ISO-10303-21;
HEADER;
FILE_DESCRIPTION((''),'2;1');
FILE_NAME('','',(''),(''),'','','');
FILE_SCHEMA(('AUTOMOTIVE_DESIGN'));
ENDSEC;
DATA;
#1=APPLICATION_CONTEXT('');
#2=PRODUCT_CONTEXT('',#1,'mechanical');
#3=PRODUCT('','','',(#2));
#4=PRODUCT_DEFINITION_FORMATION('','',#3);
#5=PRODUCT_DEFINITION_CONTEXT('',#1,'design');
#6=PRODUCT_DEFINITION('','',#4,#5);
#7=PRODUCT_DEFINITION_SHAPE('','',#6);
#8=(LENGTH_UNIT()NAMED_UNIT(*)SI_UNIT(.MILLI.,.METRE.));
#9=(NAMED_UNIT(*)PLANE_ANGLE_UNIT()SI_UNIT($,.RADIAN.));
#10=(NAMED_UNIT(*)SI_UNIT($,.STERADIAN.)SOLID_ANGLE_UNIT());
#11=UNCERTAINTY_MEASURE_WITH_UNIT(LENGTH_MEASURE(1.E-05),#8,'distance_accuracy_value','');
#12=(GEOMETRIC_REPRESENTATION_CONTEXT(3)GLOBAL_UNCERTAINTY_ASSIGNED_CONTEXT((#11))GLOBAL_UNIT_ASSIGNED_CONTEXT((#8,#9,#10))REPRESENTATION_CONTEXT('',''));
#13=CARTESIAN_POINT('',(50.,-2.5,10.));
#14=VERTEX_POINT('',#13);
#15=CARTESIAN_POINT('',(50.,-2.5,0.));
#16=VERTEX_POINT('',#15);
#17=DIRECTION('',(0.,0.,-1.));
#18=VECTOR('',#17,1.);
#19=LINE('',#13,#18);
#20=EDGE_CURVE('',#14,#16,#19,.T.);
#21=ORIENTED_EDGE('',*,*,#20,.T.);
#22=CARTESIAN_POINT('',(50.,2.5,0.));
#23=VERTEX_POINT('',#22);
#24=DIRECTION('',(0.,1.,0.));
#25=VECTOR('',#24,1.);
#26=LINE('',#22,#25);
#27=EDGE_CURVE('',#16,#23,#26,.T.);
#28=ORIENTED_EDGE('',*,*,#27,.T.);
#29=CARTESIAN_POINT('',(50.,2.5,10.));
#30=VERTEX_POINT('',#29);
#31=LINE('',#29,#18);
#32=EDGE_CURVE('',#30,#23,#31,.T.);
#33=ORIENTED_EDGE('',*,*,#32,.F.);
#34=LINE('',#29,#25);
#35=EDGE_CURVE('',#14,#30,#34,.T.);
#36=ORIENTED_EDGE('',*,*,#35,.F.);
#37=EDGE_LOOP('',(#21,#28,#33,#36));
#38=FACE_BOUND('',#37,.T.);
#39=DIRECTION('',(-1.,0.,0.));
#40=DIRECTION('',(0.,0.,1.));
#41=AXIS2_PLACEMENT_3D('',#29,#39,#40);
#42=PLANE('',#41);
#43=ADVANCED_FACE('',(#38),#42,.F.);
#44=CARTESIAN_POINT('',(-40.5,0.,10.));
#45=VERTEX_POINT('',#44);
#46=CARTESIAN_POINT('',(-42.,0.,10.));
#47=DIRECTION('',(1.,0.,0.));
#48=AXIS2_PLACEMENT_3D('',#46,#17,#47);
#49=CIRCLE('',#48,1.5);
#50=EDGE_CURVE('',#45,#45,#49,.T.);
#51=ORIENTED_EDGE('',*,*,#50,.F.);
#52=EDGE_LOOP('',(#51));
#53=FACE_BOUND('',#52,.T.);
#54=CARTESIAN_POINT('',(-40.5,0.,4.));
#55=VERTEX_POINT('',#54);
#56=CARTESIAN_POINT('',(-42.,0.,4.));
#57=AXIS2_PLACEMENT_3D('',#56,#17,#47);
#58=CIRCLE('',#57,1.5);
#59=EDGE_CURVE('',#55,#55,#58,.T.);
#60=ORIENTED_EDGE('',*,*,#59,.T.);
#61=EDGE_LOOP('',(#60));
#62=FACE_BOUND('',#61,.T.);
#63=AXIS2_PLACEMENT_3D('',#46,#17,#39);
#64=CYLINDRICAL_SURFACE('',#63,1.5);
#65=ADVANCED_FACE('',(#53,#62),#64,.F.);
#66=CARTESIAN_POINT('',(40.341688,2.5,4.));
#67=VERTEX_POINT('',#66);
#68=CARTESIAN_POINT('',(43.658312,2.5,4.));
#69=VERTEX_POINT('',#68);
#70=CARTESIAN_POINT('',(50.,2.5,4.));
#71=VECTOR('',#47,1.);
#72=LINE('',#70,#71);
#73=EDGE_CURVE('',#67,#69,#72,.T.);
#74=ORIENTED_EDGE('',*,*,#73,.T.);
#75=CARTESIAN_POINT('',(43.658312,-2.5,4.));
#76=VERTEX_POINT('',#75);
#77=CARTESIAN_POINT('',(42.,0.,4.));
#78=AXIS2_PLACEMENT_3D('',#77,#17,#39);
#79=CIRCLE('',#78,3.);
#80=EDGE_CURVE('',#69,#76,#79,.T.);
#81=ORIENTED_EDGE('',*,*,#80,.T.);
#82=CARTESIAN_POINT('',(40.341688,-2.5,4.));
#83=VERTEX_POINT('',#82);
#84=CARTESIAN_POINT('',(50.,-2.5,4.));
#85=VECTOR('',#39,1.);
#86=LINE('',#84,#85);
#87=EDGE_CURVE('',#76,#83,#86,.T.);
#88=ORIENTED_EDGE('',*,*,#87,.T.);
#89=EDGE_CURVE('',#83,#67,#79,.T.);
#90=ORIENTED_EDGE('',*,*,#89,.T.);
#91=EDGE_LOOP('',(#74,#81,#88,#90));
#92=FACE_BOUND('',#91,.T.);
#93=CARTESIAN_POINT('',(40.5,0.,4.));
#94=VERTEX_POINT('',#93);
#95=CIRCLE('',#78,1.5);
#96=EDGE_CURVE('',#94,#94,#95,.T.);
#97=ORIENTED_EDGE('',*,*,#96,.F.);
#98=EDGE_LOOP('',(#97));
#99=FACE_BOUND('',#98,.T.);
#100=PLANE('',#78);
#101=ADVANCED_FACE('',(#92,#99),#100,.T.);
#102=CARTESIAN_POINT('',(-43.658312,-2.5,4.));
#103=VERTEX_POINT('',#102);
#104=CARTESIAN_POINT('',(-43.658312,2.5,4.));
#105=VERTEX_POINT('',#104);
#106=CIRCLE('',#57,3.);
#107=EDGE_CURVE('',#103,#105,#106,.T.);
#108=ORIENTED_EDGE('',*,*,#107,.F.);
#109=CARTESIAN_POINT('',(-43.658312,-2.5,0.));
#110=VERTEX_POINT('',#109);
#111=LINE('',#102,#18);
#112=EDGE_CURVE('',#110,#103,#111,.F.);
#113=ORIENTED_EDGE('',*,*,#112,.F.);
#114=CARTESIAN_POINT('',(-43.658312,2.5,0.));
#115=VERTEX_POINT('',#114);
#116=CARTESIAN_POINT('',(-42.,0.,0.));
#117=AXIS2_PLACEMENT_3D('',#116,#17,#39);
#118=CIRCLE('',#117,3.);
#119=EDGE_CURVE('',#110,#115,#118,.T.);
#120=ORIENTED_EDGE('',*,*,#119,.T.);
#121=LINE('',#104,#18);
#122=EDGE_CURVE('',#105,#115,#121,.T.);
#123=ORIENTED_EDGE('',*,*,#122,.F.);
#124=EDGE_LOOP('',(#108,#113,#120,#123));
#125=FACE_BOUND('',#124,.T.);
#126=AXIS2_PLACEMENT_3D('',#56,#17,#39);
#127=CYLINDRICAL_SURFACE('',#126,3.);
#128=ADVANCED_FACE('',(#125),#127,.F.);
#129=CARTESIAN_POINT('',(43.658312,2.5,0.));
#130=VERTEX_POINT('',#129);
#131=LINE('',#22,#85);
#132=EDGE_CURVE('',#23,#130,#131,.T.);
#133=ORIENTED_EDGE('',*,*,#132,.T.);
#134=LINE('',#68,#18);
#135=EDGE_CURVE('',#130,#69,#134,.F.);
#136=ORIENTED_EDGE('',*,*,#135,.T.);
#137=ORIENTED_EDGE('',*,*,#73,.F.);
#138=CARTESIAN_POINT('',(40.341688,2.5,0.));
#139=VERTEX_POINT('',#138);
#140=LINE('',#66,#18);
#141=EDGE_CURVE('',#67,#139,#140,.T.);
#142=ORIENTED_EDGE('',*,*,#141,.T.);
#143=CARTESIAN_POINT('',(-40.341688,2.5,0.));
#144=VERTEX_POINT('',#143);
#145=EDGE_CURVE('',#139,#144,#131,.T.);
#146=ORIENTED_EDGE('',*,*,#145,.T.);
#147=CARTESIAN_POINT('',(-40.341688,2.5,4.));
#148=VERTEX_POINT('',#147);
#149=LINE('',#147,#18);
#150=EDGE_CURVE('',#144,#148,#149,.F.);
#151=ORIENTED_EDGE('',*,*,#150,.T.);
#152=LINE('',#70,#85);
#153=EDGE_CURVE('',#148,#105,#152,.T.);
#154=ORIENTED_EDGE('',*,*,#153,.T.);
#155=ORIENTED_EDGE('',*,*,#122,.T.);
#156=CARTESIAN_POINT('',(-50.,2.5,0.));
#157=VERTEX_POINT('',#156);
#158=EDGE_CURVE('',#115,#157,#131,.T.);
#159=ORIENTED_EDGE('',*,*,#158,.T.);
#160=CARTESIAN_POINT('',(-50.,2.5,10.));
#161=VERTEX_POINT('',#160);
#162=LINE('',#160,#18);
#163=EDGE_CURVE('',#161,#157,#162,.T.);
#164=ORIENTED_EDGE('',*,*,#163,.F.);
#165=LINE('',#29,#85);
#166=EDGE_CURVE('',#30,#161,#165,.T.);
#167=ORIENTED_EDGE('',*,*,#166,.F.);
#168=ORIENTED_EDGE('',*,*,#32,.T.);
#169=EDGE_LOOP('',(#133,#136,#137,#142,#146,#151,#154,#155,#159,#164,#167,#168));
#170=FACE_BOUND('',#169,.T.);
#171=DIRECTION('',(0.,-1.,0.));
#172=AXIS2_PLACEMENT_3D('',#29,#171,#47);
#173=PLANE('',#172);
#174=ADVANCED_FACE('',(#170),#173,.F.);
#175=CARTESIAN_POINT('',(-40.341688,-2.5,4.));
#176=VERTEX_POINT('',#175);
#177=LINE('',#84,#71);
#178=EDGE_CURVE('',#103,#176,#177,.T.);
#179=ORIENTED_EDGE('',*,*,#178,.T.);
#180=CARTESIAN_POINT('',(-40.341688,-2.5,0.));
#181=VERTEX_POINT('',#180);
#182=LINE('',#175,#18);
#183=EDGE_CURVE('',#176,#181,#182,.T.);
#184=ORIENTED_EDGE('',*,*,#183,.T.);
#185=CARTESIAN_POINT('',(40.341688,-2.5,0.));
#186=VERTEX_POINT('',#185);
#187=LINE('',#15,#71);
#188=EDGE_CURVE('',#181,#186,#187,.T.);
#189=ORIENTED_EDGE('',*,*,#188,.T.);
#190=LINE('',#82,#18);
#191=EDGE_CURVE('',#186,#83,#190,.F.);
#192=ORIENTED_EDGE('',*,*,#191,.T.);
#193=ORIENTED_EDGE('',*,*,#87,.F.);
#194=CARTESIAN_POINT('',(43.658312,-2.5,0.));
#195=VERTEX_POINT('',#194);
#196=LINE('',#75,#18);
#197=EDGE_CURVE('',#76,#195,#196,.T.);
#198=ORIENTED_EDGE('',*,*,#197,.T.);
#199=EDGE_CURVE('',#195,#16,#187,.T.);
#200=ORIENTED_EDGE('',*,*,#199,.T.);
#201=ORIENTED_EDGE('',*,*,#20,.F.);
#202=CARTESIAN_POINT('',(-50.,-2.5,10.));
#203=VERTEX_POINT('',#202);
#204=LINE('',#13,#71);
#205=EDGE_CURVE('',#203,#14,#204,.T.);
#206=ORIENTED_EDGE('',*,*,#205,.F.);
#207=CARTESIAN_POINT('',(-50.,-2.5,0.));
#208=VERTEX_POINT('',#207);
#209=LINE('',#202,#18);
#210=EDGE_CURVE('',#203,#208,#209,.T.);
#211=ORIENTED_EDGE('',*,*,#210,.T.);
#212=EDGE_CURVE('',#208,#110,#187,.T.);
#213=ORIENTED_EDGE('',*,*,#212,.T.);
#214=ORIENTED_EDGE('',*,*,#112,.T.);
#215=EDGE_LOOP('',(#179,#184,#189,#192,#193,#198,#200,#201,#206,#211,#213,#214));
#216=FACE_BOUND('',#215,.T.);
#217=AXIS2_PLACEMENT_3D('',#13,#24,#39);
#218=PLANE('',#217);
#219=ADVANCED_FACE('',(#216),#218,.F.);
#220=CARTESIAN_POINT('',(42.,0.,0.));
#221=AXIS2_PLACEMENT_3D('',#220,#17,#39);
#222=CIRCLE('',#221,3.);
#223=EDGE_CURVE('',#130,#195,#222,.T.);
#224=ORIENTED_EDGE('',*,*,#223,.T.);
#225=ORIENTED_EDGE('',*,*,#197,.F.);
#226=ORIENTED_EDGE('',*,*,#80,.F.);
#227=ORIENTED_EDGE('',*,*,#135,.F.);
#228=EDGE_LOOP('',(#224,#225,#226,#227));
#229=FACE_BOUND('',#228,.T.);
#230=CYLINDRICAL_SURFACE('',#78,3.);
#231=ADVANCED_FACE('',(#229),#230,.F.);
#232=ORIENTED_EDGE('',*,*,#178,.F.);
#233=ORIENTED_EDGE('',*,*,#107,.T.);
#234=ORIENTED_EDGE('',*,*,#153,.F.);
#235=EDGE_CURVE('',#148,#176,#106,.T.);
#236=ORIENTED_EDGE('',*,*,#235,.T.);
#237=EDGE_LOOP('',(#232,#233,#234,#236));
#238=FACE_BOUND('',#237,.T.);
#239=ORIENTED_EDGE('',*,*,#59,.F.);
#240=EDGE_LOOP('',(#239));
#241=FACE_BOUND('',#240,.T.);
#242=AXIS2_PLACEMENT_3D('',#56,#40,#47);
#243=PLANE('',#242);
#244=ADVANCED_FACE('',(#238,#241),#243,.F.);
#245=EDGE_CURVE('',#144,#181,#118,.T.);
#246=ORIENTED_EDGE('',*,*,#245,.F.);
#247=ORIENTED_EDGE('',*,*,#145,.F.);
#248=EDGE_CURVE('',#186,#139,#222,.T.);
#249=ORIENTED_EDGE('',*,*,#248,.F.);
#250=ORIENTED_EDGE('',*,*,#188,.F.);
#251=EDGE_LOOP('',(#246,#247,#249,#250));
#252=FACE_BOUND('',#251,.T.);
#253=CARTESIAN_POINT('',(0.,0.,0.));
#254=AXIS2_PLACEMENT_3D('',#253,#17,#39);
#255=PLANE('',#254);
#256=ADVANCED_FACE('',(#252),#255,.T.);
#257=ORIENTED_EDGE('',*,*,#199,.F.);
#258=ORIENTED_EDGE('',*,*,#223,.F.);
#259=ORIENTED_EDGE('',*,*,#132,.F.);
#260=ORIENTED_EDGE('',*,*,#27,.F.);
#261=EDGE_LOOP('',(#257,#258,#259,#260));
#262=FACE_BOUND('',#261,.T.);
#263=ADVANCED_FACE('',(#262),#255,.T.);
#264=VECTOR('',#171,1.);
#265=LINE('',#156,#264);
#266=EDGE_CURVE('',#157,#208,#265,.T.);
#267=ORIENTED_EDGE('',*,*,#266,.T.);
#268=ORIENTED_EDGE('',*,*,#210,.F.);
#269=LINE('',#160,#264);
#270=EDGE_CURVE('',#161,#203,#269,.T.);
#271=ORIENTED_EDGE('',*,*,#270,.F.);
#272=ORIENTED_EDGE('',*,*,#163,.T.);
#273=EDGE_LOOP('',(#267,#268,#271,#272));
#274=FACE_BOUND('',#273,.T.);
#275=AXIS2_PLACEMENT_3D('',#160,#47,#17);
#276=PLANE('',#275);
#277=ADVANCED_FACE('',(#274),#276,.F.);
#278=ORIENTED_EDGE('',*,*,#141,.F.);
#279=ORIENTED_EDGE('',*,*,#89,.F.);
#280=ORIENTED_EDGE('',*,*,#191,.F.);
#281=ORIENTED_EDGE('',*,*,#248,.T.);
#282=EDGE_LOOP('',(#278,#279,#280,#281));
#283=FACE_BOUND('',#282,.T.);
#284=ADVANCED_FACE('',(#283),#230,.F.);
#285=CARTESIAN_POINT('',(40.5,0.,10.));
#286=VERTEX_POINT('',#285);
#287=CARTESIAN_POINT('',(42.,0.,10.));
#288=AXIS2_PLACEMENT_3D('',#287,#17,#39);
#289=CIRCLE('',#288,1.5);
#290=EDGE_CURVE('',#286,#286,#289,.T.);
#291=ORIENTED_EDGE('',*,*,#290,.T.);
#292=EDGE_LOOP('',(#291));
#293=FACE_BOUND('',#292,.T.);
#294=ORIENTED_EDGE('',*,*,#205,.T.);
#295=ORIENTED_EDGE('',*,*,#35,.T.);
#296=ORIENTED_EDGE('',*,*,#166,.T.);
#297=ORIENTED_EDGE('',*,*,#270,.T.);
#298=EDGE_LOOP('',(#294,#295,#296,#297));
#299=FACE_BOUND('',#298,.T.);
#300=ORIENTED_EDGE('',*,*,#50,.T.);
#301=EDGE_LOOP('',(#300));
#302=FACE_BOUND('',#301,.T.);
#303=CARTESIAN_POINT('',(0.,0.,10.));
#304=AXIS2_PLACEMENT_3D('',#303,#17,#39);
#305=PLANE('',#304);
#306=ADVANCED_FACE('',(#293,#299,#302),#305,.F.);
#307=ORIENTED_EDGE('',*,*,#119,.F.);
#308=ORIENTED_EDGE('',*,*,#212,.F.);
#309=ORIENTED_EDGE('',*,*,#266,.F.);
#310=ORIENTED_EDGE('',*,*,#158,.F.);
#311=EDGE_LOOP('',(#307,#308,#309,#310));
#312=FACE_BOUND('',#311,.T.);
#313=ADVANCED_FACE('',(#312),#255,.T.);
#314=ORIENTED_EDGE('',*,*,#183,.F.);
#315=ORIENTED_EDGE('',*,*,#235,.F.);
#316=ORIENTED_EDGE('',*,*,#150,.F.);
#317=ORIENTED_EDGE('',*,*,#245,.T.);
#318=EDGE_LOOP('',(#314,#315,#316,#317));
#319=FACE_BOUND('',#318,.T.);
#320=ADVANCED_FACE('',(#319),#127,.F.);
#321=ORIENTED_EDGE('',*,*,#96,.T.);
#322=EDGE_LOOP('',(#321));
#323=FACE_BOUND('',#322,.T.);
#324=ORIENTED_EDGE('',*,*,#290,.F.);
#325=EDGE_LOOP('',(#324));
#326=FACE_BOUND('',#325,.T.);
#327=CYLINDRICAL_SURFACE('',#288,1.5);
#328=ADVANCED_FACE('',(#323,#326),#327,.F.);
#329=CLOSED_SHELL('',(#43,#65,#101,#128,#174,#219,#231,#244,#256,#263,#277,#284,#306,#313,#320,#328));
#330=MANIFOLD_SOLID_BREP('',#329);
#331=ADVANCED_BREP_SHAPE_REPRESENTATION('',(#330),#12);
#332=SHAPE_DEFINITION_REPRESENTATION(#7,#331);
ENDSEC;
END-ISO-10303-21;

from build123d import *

# Parameters (mm, degrees)
SKETCH1_W           = 100
SKETCH1_H           = 5
BOSS_EXTRUDE1_DEPTH = 10
SKETCH2_R           = 3
CUT_EXTRUDE3_DEPTH  = 4
SKETCH3_R           = 1.5
CUT_EXTRUDE4_DEPTH  = 7


with BuildPart() as part:
    # Sketch1 → Boss-Extrude1 (new body)
    with BuildSketch(Plane.XY):
        Rectangle(SKETCH1_W, SKETCH1_H)
    extrude(amount=BOSS_EXTRUDE1_DEPTH)

    # Sketch2 → Cut-Extrude3 (cut)
    with BuildSketch(Plane(origin=(0, 0, 0), x_dir=(-1, 0, 0), z_dir=(0, 0, -1))):
        with Locations((-42, 0)):
            Circle(SKETCH2_R)
        with Locations((42, 0)):
            Circle(SKETCH2_R)
    extrude(amount=-CUT_EXTRUDE3_DEPTH, mode=Mode.SUBTRACT)

    # Sketch3 → Cut-Extrude4 (cut, through all)
    with BuildSketch(Plane(origin=(0, 0, 4), x_dir=(-1, 0, 0), z_dir=(0, 0, -1))):
        with Locations((-42, 0)):
            Circle(SKETCH3_R)
        with Locations((42, 0)):
            Circle(SKETCH3_R)
    extrude(amount=-CUT_EXTRUDE4_DEPTH, mode=Mode.SUBTRACT)


solid = part.part
